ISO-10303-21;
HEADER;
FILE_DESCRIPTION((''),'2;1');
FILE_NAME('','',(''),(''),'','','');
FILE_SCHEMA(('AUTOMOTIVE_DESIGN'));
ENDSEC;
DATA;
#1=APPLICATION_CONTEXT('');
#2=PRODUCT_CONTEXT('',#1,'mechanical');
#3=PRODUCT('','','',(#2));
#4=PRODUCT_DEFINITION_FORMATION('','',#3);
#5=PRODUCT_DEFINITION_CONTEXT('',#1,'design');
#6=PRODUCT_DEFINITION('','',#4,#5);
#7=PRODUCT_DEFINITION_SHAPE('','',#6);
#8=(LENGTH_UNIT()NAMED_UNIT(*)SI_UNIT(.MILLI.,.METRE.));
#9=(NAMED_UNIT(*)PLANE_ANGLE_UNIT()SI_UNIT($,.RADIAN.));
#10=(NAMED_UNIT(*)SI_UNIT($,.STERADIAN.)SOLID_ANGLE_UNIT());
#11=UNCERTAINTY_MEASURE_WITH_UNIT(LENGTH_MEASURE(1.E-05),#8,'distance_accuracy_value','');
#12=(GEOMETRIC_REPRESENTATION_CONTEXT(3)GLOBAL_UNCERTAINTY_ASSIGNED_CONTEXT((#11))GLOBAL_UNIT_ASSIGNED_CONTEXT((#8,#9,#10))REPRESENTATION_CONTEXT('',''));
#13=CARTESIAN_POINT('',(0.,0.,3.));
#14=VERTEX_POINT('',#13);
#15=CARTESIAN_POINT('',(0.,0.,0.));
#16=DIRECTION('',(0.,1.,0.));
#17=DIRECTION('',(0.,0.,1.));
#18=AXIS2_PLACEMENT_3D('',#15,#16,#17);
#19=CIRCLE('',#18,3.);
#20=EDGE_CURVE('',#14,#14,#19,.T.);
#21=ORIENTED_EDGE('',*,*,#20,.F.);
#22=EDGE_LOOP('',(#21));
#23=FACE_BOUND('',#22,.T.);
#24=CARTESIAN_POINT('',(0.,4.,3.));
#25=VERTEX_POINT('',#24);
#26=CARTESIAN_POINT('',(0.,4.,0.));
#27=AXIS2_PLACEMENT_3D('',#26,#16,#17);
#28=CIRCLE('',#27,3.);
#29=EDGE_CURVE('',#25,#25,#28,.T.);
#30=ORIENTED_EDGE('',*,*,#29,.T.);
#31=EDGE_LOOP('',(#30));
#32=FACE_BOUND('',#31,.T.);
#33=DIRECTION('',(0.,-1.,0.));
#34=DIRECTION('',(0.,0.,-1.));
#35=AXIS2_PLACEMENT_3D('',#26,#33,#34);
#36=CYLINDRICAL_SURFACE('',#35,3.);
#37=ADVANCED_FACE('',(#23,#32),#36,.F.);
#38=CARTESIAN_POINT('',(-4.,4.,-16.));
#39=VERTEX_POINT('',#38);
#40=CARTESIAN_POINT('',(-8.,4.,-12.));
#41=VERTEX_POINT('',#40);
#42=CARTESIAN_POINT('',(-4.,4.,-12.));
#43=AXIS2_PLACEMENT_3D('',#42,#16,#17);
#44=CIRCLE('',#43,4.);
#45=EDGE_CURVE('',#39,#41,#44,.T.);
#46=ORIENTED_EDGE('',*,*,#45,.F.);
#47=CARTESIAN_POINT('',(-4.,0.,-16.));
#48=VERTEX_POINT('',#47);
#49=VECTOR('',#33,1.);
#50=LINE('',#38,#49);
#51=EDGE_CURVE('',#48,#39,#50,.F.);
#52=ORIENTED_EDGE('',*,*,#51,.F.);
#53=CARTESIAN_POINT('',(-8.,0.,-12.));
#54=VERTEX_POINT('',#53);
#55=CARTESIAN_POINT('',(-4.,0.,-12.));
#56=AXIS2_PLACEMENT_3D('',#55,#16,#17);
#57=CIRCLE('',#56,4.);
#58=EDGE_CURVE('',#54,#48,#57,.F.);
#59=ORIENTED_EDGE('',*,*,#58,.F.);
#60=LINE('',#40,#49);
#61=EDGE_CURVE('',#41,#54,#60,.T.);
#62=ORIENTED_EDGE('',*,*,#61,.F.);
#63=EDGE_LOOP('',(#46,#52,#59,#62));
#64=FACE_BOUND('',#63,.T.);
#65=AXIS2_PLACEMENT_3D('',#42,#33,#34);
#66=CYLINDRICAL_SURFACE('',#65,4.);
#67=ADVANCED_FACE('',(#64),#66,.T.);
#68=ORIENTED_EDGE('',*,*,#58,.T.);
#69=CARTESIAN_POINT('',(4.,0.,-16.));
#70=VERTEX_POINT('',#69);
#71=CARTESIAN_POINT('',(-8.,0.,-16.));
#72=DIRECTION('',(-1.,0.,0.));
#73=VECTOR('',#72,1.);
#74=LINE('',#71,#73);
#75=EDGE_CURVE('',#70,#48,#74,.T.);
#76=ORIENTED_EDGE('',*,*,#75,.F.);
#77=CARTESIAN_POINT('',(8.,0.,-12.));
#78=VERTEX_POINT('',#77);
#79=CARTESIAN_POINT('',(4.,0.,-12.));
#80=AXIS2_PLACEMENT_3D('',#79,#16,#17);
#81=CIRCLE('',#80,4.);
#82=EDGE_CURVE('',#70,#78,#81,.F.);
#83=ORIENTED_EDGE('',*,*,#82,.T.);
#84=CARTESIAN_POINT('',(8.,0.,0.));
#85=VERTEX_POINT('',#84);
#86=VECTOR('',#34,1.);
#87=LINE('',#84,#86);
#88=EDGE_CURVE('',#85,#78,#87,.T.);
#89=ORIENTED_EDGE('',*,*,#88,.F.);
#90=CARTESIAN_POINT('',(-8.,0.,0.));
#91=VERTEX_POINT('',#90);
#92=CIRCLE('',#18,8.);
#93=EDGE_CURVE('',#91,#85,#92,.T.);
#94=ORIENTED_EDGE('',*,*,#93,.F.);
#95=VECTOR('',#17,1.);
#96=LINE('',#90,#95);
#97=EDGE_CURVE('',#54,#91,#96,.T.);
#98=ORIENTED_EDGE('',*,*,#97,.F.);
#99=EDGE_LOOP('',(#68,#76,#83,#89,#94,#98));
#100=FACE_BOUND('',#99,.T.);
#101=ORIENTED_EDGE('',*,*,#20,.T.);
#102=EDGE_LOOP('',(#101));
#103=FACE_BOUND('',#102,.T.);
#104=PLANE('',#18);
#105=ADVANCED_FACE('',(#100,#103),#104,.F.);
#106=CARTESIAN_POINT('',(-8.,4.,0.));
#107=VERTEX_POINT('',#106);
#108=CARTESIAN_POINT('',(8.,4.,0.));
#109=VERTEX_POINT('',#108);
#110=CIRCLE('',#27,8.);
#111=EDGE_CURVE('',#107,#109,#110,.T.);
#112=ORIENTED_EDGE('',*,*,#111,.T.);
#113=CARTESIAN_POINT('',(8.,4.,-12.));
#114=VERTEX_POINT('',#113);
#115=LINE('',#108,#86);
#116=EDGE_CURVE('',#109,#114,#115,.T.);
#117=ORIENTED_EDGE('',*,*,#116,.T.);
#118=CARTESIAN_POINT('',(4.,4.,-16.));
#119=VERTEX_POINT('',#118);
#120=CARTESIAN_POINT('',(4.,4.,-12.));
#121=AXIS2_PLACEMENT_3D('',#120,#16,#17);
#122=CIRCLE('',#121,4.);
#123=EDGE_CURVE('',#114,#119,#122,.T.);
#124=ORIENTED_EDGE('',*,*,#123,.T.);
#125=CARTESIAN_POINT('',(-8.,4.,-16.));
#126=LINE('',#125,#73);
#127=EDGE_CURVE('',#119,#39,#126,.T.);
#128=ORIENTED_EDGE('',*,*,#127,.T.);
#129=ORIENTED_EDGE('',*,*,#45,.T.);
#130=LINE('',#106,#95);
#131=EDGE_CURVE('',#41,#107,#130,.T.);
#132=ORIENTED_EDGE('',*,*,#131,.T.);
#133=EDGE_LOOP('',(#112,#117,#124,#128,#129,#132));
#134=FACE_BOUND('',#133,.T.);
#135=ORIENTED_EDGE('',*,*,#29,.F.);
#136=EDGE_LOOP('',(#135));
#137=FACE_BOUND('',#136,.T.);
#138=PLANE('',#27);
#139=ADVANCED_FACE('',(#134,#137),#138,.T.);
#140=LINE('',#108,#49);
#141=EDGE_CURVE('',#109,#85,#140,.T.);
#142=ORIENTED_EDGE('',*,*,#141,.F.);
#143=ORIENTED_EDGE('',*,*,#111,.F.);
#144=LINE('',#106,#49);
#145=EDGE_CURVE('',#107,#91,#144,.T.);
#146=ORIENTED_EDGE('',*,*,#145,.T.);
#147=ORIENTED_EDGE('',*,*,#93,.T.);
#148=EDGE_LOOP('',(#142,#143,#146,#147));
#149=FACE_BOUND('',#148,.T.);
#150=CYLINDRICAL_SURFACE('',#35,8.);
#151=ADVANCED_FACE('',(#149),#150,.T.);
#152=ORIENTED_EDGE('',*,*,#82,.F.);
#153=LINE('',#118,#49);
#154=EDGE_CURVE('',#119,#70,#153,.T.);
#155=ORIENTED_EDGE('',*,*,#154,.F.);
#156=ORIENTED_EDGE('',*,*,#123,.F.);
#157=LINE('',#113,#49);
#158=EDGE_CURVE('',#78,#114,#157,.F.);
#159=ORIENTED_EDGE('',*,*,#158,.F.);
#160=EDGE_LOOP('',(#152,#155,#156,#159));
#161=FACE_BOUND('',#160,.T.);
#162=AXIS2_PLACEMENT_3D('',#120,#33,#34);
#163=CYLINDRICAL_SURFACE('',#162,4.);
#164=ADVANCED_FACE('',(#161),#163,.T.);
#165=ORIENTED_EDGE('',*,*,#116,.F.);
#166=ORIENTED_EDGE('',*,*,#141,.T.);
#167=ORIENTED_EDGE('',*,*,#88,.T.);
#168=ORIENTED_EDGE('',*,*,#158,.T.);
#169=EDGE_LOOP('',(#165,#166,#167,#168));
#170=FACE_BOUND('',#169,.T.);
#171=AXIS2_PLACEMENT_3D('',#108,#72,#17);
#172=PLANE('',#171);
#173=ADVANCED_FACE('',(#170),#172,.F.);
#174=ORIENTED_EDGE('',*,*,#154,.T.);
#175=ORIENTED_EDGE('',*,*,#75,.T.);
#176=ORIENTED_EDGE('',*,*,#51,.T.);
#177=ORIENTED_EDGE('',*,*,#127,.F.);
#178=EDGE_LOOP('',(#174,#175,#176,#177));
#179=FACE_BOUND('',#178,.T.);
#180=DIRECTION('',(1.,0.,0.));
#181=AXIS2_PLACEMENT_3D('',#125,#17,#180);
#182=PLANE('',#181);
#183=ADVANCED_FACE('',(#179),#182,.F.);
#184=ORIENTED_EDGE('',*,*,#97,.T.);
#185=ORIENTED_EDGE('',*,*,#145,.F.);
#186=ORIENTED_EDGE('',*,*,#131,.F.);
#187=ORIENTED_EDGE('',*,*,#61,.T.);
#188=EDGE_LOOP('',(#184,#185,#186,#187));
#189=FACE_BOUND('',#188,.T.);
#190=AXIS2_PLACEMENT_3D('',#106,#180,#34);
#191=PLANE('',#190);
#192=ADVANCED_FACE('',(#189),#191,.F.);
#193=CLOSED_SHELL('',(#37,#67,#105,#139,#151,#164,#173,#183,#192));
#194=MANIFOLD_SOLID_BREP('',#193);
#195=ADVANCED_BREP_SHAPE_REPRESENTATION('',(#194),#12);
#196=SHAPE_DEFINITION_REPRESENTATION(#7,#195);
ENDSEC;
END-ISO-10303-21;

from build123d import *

# Parameters (mm, degrees)
SKETCH1_R           = 3
BOSS_EXTRUDE1_DEPTH = 4
FILLET1_R           = 4


with BuildPart() as part:
    # Sketch1 → Boss-Extrude1 (new body)
    with BuildSketch(Plane(origin=(0, 0, 0), x_dir=(1, 0, 0), z_dir=(0, 1, 0))):
        with BuildLine():
            Line((-8, 0), (-8, 16))
            Line((-8, 16), (8, 16))
            Line((8, 16), (8, 0))
            ThreePointArc((8, 0), (0, -8), (-8, 0))
        make_face()
        with Locations(Location((0, 0, 0), (0, 0, 270))):
            Circle(SKETCH1_R, mode=Mode.SUBTRACT)
    extrude(amount=BOSS_EXTRUDE1_DEPTH)

    # Fillet1
    fillet1_edges = [part.edges().sort_by_distance(p)[0] for p in [
        (-8, 2, -16),
        (8, 2, -16),
    ]]
    fillet(fillet1_edges, radius=FILLET1_R)


solid = part.part
